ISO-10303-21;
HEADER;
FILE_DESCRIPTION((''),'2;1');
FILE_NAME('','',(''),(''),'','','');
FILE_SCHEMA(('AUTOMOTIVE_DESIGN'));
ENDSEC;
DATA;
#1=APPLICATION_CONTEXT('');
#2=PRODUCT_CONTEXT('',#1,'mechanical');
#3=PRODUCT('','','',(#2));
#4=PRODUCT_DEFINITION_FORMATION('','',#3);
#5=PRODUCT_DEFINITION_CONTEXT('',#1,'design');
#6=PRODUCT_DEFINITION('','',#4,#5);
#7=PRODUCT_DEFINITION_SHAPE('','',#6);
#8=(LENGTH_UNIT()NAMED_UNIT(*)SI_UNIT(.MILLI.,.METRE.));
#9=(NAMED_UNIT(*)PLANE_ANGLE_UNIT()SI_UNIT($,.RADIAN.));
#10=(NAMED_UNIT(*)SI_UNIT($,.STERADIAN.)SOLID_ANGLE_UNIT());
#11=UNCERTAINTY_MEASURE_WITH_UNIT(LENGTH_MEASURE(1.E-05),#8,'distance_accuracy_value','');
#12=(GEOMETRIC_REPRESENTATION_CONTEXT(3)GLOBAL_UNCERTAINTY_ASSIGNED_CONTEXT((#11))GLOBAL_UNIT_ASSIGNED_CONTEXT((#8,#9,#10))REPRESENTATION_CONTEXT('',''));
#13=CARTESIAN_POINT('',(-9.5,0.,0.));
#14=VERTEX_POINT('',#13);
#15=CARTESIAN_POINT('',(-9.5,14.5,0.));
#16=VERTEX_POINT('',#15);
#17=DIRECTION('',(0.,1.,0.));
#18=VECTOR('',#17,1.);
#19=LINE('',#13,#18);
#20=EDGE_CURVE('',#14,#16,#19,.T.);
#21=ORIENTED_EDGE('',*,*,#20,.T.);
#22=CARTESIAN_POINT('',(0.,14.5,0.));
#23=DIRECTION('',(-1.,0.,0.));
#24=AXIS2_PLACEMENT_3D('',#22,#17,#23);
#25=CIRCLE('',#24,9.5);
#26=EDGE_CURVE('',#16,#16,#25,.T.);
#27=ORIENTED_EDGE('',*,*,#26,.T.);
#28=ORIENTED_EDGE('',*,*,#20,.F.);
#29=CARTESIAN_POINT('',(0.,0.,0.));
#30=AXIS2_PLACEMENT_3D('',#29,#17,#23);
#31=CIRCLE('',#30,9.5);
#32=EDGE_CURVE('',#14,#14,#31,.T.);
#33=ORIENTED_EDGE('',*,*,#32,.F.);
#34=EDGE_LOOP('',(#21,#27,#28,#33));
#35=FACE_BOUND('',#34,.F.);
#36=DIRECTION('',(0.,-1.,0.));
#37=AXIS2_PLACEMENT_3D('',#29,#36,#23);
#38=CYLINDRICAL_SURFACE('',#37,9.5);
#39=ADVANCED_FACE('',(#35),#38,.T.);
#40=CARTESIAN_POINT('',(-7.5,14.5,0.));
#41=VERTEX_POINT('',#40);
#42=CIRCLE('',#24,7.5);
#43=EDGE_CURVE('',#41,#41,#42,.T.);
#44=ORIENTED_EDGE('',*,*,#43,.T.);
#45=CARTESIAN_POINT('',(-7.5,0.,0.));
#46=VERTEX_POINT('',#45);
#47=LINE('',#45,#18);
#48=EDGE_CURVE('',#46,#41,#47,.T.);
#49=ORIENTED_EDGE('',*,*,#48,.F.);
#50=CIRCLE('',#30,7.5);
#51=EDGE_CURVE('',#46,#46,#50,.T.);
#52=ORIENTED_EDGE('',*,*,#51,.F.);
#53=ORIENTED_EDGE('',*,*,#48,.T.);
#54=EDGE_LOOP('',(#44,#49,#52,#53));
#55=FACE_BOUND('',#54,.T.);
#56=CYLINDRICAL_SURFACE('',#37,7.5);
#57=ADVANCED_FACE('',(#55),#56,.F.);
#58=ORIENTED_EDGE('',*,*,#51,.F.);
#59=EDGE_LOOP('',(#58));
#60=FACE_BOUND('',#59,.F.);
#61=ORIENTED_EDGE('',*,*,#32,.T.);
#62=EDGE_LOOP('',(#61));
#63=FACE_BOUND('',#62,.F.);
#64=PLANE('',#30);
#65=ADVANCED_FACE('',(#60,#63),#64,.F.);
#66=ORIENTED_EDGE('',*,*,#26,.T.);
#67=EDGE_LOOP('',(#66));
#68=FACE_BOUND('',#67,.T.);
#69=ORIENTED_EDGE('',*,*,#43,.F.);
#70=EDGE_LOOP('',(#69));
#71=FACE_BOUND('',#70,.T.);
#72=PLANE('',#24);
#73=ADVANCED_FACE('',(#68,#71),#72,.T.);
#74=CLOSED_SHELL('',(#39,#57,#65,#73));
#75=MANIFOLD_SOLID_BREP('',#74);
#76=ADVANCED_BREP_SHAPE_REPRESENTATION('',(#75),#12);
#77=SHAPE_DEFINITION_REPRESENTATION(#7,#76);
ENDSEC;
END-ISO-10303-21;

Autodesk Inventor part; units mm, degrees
ref_plane "YZ Plane" through (0, 0, 0) normal (1, 0, 0) x (0, 1, 0)
ref_plane "XZ Plane" through (0, 0, 0) normal (0, 1, 0) x (-1, 0, 0)
ref_plane "XY Plane" through (0, 0, 0) normal (0, 0, 1) x (1, 0, 0)
sketch "Sketch1" plane through (0, 0, 0) normal (0, 1, 0) x (-1, 0, 0)
  circle A0 centre (0, 0) radius 7.5
  circle A1 centre (0, 0) radius 9.5
  dimension "d0" = 15
  dimension "d1" = 19
extrude "Extrusion1" add sketch "Sketch1" along normal blind 14.5
properties part number "14.5mm 0.5in Hex Spacer"
